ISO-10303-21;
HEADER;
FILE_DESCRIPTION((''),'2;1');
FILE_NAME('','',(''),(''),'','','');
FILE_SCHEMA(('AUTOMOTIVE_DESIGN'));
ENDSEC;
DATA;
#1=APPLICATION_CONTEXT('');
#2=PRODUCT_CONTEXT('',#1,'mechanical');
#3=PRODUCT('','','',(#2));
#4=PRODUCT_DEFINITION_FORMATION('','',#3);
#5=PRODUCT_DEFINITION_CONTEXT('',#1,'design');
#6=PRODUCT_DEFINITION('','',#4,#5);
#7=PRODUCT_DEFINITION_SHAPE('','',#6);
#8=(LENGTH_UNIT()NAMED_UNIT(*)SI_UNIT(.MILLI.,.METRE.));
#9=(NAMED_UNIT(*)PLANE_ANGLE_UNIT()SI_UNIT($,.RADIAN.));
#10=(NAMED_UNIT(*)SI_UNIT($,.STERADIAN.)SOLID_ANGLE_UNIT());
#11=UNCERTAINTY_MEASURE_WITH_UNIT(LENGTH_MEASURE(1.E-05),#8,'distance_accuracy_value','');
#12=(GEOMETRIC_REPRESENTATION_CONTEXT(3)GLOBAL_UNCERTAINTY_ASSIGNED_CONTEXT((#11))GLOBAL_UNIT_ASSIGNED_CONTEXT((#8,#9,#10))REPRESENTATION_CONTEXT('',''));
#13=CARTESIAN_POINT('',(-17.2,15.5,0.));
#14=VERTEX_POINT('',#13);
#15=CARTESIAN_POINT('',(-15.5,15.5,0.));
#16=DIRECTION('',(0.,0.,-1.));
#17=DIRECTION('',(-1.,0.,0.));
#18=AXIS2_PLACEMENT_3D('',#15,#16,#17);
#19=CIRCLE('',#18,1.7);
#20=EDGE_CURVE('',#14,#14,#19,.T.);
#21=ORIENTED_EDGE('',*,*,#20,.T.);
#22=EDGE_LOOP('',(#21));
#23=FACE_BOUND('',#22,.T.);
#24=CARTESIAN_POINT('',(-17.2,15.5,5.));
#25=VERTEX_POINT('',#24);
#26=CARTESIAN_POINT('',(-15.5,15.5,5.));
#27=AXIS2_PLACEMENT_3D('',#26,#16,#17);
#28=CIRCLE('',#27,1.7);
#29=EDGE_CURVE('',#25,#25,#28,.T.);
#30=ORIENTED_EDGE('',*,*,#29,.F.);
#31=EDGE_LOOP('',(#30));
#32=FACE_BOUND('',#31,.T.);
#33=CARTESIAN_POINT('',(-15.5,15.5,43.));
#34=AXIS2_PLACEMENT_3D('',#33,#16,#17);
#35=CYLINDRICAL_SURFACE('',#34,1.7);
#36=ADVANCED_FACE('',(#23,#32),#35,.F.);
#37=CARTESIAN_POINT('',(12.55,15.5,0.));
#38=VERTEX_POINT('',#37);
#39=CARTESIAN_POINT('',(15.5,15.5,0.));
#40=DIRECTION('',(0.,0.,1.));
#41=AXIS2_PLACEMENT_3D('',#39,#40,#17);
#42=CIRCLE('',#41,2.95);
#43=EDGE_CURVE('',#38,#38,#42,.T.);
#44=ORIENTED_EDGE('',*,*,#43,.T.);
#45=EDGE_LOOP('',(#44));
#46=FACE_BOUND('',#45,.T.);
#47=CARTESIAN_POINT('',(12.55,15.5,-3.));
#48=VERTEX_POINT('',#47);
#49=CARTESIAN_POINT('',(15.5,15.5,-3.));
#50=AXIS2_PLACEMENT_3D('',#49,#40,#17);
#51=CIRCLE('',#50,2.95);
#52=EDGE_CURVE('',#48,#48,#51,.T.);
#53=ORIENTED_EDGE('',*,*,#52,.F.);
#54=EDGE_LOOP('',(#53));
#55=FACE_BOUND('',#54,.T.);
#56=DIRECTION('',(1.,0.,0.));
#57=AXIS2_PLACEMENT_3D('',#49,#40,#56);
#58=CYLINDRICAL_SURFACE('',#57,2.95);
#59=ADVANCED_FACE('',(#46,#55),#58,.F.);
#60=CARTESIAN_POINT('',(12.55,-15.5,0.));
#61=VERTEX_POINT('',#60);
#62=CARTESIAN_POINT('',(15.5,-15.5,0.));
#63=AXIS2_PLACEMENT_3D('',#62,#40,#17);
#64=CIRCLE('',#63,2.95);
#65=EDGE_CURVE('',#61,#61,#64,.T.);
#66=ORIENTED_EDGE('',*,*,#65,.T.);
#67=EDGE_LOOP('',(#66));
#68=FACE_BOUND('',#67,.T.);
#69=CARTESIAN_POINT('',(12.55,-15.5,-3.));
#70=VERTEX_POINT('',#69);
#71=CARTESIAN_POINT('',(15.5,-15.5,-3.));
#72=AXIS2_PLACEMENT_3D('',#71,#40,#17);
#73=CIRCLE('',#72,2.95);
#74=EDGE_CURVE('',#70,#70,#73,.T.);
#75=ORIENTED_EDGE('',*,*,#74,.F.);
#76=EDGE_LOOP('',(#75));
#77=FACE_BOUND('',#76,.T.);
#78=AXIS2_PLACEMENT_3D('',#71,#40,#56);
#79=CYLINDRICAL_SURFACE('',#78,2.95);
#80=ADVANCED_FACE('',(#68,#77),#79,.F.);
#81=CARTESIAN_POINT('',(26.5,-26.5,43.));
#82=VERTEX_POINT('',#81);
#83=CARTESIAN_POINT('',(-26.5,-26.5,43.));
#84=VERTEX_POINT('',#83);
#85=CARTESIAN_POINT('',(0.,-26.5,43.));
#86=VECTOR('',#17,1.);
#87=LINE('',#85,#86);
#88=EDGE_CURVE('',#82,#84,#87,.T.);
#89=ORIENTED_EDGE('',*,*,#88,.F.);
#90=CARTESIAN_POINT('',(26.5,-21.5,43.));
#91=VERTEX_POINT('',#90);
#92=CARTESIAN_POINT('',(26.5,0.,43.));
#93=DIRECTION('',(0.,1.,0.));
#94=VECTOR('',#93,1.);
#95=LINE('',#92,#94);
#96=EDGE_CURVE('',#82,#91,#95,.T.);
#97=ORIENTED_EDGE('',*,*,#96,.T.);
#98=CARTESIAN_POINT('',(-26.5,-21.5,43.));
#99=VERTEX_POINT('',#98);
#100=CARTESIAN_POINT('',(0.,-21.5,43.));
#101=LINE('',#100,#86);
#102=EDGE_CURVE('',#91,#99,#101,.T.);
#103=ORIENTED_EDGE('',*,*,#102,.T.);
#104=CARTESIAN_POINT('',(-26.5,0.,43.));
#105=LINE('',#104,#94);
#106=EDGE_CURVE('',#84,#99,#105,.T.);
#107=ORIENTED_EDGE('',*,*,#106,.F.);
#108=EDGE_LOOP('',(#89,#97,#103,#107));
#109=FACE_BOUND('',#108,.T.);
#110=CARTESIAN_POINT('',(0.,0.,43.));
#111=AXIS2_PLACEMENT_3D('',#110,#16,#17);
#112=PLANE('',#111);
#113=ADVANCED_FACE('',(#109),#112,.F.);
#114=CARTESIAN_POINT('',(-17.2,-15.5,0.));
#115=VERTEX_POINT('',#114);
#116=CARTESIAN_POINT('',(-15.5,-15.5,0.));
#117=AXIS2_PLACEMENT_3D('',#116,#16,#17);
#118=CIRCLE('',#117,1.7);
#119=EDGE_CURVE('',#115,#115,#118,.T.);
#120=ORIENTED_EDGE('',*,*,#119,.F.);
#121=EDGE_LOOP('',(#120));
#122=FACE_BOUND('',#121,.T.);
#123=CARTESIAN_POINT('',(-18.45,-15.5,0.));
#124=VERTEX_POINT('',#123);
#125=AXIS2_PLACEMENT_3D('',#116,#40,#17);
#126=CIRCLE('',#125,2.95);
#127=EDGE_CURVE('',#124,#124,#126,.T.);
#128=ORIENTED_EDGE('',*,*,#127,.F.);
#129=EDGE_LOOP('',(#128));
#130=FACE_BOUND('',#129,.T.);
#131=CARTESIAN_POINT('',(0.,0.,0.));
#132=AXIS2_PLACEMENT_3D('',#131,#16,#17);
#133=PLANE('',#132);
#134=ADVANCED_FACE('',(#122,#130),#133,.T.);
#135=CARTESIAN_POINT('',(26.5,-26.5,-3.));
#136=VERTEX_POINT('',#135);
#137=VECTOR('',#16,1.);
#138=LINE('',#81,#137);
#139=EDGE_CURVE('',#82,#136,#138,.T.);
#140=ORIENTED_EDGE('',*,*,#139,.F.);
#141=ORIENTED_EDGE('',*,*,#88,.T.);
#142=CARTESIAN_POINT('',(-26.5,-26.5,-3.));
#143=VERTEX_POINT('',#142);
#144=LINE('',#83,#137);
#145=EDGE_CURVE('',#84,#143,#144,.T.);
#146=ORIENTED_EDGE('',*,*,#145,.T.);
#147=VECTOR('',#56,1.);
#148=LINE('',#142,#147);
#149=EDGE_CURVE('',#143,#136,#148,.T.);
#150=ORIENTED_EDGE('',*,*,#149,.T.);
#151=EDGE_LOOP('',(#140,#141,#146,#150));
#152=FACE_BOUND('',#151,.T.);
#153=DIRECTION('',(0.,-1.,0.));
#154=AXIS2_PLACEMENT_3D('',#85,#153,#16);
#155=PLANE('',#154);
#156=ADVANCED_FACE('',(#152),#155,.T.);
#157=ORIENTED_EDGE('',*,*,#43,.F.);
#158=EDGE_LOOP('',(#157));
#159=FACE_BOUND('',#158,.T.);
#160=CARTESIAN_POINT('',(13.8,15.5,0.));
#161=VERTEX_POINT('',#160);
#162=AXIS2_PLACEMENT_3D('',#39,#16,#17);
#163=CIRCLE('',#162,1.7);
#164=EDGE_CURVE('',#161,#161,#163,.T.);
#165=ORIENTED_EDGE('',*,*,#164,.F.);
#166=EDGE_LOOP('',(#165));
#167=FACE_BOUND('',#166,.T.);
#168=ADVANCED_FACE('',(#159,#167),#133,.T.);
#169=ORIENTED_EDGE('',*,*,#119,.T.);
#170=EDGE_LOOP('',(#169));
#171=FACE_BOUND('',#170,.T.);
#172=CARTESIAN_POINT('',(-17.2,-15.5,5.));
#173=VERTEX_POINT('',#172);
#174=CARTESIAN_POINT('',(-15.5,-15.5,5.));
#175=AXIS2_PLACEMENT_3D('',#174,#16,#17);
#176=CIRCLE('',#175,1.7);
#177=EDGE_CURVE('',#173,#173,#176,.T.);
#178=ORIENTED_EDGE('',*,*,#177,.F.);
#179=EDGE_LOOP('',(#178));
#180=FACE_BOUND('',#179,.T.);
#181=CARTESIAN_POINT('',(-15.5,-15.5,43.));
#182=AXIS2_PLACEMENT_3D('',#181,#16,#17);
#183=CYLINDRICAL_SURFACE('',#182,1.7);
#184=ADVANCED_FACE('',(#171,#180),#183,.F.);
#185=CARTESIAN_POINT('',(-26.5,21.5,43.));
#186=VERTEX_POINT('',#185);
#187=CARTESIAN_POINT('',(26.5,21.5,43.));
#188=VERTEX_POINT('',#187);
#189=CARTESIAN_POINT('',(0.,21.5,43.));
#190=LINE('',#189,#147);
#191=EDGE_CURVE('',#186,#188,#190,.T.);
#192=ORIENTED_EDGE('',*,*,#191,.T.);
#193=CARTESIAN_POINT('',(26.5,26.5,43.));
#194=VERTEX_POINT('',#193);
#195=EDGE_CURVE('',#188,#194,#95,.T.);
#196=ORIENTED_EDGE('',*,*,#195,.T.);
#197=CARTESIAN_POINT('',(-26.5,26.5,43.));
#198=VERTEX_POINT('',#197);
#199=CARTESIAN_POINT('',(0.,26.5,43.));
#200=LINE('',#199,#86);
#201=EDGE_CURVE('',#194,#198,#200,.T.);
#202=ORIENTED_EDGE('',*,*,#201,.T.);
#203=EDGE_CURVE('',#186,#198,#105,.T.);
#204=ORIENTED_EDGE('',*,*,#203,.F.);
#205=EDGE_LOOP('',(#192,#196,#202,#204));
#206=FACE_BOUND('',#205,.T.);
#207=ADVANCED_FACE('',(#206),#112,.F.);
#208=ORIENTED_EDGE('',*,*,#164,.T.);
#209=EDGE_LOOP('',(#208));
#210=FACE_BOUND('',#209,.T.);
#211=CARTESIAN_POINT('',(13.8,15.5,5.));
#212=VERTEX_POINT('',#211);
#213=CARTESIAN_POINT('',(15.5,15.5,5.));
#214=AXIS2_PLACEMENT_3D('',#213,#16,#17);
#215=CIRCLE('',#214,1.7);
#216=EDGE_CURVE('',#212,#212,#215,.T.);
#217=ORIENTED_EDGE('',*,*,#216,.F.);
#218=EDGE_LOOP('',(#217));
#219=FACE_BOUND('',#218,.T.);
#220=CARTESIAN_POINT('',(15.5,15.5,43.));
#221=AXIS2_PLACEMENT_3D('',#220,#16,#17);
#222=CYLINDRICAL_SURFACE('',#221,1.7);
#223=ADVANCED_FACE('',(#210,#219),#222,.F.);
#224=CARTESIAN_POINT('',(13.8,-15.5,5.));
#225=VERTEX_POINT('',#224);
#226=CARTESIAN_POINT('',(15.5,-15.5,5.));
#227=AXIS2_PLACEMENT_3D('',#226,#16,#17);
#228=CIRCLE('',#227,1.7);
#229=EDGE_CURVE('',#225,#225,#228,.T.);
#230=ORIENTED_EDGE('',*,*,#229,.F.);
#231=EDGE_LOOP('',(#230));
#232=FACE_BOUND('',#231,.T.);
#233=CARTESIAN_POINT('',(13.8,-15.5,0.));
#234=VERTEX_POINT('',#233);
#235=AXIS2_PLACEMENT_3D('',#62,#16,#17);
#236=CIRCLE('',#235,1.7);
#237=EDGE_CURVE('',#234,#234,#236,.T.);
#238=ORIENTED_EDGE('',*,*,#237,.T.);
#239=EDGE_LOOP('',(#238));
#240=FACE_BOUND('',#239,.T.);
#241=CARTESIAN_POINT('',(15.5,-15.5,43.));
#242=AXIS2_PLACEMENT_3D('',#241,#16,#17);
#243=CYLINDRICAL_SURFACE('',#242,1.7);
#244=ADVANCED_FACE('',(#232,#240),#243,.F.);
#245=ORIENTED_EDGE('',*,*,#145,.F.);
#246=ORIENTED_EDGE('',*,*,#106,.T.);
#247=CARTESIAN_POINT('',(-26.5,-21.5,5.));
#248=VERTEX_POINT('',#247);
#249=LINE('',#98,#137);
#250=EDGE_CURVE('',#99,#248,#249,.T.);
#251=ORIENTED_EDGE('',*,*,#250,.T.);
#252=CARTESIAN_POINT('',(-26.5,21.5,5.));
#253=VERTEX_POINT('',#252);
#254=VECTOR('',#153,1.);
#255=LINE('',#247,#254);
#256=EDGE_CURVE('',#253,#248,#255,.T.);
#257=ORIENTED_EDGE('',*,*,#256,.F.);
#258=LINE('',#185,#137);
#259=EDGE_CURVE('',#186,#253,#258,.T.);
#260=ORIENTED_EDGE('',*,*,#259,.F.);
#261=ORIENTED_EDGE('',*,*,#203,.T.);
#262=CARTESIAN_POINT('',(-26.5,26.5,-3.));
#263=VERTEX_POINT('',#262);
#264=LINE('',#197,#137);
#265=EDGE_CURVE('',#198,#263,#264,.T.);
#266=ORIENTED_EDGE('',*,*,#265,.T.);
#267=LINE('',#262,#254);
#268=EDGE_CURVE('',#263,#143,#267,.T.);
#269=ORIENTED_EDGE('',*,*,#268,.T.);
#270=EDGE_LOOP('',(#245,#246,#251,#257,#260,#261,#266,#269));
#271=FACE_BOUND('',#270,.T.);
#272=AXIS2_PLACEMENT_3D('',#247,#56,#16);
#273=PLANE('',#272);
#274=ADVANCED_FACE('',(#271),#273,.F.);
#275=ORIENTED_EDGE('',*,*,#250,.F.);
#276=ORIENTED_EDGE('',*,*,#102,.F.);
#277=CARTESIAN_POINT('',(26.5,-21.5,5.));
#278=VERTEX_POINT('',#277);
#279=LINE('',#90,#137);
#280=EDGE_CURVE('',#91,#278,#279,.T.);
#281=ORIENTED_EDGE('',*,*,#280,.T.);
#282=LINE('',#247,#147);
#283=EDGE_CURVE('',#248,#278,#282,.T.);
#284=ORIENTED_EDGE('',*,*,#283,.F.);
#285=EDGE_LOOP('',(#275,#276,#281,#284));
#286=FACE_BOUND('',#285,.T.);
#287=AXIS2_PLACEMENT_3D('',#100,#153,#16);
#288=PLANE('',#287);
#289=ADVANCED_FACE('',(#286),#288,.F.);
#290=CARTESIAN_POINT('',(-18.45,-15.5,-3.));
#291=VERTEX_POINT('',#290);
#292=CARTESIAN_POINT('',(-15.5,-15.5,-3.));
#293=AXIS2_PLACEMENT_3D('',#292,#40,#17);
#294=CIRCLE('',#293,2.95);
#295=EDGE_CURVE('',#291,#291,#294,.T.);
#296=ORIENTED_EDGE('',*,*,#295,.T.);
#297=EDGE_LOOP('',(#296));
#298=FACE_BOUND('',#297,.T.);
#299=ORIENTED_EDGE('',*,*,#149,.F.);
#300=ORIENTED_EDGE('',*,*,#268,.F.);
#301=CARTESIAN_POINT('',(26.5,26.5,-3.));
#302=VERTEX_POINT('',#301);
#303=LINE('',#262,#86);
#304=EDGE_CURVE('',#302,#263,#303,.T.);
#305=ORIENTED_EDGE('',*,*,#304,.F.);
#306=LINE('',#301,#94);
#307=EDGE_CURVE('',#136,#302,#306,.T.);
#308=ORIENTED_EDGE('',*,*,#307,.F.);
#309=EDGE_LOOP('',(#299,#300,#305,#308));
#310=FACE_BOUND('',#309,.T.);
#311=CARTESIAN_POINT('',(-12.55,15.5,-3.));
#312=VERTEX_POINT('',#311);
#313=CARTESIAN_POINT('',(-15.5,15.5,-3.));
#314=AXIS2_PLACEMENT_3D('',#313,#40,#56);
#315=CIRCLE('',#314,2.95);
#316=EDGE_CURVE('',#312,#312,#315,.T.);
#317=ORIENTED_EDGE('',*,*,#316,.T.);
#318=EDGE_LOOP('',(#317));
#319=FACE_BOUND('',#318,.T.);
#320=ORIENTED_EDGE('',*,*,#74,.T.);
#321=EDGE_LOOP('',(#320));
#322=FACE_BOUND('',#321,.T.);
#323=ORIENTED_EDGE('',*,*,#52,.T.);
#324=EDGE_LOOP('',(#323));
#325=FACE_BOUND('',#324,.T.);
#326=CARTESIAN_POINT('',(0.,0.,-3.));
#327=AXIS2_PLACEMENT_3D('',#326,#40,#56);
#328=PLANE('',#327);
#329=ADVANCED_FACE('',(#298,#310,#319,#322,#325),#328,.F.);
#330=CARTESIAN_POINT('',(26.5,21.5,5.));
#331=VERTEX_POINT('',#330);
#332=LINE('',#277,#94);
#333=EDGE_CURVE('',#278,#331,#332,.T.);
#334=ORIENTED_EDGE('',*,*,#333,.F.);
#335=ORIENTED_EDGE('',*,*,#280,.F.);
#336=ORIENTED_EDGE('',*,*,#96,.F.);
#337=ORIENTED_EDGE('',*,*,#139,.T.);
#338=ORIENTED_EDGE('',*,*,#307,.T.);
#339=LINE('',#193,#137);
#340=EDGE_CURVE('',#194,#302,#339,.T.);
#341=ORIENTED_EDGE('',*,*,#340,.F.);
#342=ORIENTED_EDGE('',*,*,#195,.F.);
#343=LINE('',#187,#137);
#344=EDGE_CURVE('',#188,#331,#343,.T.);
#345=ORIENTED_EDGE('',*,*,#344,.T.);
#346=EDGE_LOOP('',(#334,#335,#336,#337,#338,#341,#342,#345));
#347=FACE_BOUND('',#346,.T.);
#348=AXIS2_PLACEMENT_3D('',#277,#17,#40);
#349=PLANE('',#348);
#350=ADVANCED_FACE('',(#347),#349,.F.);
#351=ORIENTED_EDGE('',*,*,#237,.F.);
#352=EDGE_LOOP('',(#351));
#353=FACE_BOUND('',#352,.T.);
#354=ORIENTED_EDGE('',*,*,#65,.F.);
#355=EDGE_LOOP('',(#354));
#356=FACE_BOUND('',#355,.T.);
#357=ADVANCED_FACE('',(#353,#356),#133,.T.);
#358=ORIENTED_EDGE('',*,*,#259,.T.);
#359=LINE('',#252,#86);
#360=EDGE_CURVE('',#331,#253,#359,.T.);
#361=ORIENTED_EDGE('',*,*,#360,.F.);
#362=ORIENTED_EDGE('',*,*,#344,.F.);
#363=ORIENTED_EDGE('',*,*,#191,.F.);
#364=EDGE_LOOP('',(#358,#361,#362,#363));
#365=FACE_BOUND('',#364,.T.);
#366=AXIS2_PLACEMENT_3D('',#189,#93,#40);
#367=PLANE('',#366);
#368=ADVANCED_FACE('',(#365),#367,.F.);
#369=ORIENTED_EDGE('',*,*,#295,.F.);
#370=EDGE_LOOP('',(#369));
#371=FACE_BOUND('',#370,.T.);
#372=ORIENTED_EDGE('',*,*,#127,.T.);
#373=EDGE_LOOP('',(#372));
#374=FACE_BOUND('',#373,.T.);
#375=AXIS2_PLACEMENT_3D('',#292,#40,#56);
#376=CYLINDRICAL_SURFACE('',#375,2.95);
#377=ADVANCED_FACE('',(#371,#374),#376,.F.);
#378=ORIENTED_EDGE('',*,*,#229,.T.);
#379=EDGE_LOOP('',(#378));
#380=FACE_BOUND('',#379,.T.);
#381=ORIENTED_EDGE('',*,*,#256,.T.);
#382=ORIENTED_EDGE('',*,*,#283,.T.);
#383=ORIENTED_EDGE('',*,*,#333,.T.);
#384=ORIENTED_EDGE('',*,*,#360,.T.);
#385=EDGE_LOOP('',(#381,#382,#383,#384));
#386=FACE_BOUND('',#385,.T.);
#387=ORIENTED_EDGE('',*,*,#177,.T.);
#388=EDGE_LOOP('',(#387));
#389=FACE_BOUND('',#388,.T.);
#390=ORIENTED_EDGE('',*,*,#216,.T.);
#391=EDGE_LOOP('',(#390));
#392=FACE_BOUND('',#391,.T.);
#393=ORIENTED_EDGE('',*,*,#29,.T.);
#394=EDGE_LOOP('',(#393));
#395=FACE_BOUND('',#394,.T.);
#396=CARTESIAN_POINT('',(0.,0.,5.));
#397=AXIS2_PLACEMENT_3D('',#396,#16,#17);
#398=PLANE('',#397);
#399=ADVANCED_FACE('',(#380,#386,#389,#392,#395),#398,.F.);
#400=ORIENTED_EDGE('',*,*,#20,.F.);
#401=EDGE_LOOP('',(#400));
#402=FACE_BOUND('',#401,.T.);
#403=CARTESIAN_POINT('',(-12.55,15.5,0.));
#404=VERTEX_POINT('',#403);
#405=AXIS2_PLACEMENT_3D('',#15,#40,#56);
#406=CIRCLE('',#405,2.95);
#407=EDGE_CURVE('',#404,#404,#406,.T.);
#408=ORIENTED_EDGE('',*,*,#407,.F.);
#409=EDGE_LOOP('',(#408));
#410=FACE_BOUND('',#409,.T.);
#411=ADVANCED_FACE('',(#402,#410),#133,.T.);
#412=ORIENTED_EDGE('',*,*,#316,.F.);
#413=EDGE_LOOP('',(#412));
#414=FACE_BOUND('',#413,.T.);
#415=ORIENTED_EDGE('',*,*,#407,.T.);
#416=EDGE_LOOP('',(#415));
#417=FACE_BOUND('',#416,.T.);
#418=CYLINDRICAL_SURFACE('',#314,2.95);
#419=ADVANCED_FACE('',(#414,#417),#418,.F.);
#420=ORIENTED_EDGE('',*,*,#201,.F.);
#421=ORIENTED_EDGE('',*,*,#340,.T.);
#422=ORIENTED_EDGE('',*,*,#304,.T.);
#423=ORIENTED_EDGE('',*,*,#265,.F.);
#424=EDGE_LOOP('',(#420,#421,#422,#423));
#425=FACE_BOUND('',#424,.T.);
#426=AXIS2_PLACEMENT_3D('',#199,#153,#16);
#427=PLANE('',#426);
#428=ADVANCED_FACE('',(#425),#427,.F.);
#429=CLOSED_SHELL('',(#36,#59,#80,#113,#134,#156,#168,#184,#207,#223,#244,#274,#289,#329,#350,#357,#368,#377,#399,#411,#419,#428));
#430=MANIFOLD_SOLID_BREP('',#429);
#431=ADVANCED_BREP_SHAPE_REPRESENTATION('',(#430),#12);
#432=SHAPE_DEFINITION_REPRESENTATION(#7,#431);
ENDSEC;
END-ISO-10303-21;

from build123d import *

# Parameters (mm, degrees)
SKETCH1_W           = 53
SKETCH1_H           = 43
BOSS_EXTRUDE1_DEPTH = 5
SKETCH2_W           = 53
SKETCH2_H           = 5
BOSS_EXTRUDE2_DEPTH = 43
SKETCH4_R           = 1.7
CUT_EXTRUDE1_DEPTH  = 58.039460025
SKETCH6_W           = 53
SKETCH6_H           = 53
SKETCH6_R           = 2.95
BOSS_EXTRUDE5_DEPTH = 3


with BuildPart() as part:
    # Sketch1 → Boss-Extrude1 (new body)
    with BuildSketch(Plane.XY):
        Rectangle(SKETCH1_W, SKETCH1_H)
    extrude(amount=BOSS_EXTRUDE1_DEPTH)

    # Sketch2 → Boss-Extrude2 (add)
    with BuildSketch(Plane(origin=(0, 0, 0), x_dir=(-1, 0, 0), z_dir=(0, 0, -1))):
        with Locations((0, -24)):
            Rectangle(SKETCH2_W, SKETCH2_H)
        with Locations((0, 24)):
            Rectangle(SKETCH2_W, SKETCH2_H)
    extrude(amount=-BOSS_EXTRUDE2_DEPTH)

    # Sketch4 → Cut-Extrude1 (cut, through all)
    with BuildSketch(Plane(origin=(0, 0, 0), x_dir=(-1, 0, 0), z_dir=(0, 0, -1))):
        with Locations((-15.5, 15.5)):
            Circle(SKETCH4_R)
        with Locations((15.5, 15.5)):
            Circle(SKETCH4_R)
        with Locations((-15.5, -15.5)):
            Circle(SKETCH4_R)
        with Locations((15.5, -15.5)):
            Circle(SKETCH4_R)
    extrude(amount=-CUT_EXTRUDE1_DEPTH, mode=Mode.SUBTRACT)

    # Sketch6 → Boss-Extrude5 (add)
    with BuildSketch(Plane.XY):
        Rectangle(SKETCH6_W, SKETCH6_H)
        with Locations((-15.5, 15.5)):
            Circle(SKETCH6_R, mode=Mode.SUBTRACT)
        with Locations(Location((15.5, 15.5, 0), (0, 0, 180))):
            Circle(SKETCH6_R, mode=Mode.SUBTRACT)
        with Locations(Location((-15.5, -15.5, 0), (0, 0, 180))):
            Circle(SKETCH6_R, mode=Mode.SUBTRACT)
        with Locations(Location((15.5, -15.5, 0), (0, 0, 180))):
            Circle(SKETCH6_R, mode=Mode.SUBTRACT)
    extrude(amount=-BOSS_EXTRUDE5_DEPTH)


solid = part.part
